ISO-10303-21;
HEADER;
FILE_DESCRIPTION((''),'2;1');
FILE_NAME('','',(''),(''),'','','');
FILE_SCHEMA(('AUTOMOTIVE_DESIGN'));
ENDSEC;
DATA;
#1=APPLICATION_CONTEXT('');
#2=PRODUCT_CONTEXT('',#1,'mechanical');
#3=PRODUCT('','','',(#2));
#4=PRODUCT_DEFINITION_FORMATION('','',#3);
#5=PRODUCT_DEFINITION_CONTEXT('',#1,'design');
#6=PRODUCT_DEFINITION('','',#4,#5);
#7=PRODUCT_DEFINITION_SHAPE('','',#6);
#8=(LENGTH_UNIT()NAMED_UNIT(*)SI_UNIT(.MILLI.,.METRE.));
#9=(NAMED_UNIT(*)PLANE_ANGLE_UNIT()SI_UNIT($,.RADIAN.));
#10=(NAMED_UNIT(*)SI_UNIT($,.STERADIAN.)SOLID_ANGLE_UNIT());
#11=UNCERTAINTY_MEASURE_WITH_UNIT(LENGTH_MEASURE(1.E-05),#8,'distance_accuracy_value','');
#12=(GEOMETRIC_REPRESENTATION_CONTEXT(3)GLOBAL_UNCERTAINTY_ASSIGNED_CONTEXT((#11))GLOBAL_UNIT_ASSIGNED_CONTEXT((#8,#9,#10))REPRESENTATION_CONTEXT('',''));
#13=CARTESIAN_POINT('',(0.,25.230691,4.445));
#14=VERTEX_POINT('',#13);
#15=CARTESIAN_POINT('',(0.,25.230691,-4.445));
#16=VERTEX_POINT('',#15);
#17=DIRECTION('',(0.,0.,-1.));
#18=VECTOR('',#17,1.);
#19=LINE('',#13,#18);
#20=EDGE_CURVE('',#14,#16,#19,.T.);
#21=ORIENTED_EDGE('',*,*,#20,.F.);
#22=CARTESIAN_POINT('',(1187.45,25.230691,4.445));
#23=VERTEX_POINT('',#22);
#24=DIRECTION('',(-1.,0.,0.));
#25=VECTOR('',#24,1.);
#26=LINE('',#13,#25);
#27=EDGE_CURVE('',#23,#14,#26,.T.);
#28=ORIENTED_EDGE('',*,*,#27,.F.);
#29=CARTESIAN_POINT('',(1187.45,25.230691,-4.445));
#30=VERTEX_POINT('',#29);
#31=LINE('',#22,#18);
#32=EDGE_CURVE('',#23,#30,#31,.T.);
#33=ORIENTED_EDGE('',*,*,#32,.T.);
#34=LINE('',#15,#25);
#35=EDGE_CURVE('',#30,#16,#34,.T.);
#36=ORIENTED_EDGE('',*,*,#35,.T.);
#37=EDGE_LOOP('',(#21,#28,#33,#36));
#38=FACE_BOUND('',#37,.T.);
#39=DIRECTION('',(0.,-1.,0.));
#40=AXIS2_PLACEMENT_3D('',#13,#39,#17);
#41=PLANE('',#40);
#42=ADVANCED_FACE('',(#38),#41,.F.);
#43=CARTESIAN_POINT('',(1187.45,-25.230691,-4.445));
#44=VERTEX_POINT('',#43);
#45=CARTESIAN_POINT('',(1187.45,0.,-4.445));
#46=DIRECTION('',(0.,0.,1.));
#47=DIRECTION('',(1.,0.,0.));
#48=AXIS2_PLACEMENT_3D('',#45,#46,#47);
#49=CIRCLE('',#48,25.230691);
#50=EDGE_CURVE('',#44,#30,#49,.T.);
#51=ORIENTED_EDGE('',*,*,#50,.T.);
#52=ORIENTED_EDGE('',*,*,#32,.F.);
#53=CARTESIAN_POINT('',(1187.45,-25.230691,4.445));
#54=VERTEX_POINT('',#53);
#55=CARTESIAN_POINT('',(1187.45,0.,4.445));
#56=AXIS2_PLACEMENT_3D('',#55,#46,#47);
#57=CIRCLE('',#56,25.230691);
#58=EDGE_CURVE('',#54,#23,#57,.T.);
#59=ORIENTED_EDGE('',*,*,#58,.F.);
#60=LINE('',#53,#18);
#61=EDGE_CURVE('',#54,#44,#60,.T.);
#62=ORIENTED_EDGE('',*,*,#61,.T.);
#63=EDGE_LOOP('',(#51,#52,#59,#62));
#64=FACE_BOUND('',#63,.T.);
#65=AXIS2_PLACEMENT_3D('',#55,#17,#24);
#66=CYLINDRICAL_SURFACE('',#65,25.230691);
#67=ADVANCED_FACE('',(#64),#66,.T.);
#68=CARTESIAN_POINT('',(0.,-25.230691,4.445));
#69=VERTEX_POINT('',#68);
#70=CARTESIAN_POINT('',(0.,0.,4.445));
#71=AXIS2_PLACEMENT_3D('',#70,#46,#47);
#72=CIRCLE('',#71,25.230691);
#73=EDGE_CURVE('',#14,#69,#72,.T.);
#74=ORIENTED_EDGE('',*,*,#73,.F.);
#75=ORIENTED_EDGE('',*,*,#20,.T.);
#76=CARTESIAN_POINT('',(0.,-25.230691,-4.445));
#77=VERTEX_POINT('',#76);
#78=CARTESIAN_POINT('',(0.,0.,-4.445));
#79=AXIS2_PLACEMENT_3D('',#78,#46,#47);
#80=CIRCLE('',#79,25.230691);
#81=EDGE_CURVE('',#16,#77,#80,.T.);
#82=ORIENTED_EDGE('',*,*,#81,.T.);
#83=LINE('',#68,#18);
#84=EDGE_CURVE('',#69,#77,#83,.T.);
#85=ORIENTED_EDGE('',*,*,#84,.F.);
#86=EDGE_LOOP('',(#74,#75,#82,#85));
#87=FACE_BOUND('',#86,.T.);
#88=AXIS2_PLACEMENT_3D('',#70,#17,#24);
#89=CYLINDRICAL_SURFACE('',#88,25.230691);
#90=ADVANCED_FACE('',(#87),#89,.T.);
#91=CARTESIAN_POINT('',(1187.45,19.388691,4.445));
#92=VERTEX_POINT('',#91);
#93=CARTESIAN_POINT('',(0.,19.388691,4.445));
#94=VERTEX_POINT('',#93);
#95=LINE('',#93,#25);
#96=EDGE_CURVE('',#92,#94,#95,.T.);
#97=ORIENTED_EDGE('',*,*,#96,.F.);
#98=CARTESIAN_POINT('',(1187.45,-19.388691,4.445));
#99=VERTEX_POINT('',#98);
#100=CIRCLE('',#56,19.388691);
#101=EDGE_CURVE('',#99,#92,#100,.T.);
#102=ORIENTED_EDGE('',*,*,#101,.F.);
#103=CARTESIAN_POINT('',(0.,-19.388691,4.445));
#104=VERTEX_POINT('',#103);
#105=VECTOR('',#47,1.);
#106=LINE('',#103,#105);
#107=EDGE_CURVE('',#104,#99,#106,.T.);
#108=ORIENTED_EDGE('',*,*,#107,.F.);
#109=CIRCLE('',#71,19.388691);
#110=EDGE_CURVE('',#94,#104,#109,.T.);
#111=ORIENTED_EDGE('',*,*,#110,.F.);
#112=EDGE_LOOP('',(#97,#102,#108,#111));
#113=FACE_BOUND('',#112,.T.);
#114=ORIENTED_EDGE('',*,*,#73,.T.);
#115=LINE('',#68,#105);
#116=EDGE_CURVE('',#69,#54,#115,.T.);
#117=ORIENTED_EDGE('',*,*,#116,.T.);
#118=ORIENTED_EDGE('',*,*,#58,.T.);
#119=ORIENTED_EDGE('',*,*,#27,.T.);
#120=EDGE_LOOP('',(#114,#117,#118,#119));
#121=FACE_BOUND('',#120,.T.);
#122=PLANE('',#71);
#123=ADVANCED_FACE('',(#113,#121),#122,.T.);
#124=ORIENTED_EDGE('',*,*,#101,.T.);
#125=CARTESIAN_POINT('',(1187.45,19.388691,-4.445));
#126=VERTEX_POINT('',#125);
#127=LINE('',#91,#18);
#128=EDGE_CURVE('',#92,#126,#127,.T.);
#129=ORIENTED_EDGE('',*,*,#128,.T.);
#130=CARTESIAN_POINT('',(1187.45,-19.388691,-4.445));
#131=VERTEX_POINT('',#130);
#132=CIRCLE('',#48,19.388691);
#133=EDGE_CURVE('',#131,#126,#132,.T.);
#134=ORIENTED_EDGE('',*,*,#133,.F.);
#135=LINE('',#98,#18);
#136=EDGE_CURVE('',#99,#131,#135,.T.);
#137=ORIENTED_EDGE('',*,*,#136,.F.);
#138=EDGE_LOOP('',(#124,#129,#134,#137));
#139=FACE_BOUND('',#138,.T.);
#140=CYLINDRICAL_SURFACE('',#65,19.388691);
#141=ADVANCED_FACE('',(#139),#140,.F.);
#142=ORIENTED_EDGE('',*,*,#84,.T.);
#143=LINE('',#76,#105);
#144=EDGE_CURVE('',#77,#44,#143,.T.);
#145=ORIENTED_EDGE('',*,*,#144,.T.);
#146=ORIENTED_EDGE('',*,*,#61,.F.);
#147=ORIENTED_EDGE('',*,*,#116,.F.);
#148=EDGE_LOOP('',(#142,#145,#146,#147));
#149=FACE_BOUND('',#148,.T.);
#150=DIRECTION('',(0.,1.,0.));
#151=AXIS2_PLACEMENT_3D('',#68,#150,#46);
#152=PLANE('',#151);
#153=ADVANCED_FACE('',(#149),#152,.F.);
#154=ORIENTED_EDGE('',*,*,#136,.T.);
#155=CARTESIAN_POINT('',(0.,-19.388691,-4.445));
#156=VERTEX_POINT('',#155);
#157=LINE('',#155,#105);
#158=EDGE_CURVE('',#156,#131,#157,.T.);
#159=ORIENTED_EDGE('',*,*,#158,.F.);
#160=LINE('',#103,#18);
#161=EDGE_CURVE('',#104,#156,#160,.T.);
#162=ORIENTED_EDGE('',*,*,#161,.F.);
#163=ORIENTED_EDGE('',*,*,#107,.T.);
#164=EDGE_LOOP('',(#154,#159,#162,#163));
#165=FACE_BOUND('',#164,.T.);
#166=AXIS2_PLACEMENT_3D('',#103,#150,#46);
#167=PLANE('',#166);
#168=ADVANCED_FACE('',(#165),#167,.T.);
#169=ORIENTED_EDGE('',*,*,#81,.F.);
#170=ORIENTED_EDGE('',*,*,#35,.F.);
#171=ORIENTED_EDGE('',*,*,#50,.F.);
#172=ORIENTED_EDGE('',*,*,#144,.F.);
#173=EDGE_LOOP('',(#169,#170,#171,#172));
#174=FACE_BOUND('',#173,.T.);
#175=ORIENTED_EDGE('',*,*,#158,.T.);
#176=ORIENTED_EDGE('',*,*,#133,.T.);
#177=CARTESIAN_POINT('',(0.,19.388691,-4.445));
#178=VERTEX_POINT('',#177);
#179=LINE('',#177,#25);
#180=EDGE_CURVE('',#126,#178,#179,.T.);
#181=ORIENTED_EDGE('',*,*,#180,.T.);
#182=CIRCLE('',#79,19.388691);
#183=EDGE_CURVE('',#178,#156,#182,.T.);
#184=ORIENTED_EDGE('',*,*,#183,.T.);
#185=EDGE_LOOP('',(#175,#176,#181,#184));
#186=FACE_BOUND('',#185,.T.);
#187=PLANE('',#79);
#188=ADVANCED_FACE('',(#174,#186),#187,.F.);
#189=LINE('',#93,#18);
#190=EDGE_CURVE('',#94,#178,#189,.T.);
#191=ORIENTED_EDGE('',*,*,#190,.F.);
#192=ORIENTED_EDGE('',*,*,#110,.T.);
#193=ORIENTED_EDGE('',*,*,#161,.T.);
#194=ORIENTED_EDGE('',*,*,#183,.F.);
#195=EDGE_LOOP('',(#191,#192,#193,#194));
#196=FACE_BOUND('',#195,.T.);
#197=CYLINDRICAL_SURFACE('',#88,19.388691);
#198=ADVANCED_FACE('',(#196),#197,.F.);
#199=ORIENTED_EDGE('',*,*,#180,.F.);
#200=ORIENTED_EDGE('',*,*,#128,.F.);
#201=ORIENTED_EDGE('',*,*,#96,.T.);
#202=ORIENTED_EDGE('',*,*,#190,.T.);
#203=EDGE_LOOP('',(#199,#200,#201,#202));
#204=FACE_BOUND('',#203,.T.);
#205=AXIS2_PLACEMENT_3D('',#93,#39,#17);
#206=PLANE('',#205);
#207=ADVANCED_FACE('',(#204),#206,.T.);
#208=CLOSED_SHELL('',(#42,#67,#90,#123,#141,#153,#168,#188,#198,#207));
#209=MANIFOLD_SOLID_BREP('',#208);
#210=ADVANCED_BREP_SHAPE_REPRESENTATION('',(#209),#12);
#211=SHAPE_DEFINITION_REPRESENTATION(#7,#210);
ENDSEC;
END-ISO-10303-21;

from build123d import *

# Parameters (mm, degrees)
EXTRUDE_THIN1_DEPTH = 4.445


with BuildPart() as part:
    # Sketch1 → Extrude-Thin1 (new body, symmetric)
    with BuildSketch(Plane.XY):
        with BuildLine():
            Line((1187.45, -25.230690532), (0, -25.230690532))
            ThreePointArc((0, -25.230690532), (-25.230690532, 0), (0, 25.230690532))
            Line((0, 25.230690532), (1187.45, 25.230690532))
            ThreePointArc((1187.45, 25.230690532), (1212.680690532, 0), (1187.45, -25.230690532))
        make_face()
        with BuildLine():
            Line((1187.45, -19.388690532), (0, -19.388690532))
            ThreePointArc((0, -19.388690532), (-19.388690532, 0), (0, 19.388690532))
            Line((0, 19.388690532), (1187.45, 19.388690532))
            ThreePointArc((1187.45, 19.388690532), (1206.838690532, 0), (1187.45, -19.388690532))
        make_face(mode=Mode.SUBTRACT)
    extrude(amount=EXTRUDE_THIN1_DEPTH, both=True)


solid = part.part
